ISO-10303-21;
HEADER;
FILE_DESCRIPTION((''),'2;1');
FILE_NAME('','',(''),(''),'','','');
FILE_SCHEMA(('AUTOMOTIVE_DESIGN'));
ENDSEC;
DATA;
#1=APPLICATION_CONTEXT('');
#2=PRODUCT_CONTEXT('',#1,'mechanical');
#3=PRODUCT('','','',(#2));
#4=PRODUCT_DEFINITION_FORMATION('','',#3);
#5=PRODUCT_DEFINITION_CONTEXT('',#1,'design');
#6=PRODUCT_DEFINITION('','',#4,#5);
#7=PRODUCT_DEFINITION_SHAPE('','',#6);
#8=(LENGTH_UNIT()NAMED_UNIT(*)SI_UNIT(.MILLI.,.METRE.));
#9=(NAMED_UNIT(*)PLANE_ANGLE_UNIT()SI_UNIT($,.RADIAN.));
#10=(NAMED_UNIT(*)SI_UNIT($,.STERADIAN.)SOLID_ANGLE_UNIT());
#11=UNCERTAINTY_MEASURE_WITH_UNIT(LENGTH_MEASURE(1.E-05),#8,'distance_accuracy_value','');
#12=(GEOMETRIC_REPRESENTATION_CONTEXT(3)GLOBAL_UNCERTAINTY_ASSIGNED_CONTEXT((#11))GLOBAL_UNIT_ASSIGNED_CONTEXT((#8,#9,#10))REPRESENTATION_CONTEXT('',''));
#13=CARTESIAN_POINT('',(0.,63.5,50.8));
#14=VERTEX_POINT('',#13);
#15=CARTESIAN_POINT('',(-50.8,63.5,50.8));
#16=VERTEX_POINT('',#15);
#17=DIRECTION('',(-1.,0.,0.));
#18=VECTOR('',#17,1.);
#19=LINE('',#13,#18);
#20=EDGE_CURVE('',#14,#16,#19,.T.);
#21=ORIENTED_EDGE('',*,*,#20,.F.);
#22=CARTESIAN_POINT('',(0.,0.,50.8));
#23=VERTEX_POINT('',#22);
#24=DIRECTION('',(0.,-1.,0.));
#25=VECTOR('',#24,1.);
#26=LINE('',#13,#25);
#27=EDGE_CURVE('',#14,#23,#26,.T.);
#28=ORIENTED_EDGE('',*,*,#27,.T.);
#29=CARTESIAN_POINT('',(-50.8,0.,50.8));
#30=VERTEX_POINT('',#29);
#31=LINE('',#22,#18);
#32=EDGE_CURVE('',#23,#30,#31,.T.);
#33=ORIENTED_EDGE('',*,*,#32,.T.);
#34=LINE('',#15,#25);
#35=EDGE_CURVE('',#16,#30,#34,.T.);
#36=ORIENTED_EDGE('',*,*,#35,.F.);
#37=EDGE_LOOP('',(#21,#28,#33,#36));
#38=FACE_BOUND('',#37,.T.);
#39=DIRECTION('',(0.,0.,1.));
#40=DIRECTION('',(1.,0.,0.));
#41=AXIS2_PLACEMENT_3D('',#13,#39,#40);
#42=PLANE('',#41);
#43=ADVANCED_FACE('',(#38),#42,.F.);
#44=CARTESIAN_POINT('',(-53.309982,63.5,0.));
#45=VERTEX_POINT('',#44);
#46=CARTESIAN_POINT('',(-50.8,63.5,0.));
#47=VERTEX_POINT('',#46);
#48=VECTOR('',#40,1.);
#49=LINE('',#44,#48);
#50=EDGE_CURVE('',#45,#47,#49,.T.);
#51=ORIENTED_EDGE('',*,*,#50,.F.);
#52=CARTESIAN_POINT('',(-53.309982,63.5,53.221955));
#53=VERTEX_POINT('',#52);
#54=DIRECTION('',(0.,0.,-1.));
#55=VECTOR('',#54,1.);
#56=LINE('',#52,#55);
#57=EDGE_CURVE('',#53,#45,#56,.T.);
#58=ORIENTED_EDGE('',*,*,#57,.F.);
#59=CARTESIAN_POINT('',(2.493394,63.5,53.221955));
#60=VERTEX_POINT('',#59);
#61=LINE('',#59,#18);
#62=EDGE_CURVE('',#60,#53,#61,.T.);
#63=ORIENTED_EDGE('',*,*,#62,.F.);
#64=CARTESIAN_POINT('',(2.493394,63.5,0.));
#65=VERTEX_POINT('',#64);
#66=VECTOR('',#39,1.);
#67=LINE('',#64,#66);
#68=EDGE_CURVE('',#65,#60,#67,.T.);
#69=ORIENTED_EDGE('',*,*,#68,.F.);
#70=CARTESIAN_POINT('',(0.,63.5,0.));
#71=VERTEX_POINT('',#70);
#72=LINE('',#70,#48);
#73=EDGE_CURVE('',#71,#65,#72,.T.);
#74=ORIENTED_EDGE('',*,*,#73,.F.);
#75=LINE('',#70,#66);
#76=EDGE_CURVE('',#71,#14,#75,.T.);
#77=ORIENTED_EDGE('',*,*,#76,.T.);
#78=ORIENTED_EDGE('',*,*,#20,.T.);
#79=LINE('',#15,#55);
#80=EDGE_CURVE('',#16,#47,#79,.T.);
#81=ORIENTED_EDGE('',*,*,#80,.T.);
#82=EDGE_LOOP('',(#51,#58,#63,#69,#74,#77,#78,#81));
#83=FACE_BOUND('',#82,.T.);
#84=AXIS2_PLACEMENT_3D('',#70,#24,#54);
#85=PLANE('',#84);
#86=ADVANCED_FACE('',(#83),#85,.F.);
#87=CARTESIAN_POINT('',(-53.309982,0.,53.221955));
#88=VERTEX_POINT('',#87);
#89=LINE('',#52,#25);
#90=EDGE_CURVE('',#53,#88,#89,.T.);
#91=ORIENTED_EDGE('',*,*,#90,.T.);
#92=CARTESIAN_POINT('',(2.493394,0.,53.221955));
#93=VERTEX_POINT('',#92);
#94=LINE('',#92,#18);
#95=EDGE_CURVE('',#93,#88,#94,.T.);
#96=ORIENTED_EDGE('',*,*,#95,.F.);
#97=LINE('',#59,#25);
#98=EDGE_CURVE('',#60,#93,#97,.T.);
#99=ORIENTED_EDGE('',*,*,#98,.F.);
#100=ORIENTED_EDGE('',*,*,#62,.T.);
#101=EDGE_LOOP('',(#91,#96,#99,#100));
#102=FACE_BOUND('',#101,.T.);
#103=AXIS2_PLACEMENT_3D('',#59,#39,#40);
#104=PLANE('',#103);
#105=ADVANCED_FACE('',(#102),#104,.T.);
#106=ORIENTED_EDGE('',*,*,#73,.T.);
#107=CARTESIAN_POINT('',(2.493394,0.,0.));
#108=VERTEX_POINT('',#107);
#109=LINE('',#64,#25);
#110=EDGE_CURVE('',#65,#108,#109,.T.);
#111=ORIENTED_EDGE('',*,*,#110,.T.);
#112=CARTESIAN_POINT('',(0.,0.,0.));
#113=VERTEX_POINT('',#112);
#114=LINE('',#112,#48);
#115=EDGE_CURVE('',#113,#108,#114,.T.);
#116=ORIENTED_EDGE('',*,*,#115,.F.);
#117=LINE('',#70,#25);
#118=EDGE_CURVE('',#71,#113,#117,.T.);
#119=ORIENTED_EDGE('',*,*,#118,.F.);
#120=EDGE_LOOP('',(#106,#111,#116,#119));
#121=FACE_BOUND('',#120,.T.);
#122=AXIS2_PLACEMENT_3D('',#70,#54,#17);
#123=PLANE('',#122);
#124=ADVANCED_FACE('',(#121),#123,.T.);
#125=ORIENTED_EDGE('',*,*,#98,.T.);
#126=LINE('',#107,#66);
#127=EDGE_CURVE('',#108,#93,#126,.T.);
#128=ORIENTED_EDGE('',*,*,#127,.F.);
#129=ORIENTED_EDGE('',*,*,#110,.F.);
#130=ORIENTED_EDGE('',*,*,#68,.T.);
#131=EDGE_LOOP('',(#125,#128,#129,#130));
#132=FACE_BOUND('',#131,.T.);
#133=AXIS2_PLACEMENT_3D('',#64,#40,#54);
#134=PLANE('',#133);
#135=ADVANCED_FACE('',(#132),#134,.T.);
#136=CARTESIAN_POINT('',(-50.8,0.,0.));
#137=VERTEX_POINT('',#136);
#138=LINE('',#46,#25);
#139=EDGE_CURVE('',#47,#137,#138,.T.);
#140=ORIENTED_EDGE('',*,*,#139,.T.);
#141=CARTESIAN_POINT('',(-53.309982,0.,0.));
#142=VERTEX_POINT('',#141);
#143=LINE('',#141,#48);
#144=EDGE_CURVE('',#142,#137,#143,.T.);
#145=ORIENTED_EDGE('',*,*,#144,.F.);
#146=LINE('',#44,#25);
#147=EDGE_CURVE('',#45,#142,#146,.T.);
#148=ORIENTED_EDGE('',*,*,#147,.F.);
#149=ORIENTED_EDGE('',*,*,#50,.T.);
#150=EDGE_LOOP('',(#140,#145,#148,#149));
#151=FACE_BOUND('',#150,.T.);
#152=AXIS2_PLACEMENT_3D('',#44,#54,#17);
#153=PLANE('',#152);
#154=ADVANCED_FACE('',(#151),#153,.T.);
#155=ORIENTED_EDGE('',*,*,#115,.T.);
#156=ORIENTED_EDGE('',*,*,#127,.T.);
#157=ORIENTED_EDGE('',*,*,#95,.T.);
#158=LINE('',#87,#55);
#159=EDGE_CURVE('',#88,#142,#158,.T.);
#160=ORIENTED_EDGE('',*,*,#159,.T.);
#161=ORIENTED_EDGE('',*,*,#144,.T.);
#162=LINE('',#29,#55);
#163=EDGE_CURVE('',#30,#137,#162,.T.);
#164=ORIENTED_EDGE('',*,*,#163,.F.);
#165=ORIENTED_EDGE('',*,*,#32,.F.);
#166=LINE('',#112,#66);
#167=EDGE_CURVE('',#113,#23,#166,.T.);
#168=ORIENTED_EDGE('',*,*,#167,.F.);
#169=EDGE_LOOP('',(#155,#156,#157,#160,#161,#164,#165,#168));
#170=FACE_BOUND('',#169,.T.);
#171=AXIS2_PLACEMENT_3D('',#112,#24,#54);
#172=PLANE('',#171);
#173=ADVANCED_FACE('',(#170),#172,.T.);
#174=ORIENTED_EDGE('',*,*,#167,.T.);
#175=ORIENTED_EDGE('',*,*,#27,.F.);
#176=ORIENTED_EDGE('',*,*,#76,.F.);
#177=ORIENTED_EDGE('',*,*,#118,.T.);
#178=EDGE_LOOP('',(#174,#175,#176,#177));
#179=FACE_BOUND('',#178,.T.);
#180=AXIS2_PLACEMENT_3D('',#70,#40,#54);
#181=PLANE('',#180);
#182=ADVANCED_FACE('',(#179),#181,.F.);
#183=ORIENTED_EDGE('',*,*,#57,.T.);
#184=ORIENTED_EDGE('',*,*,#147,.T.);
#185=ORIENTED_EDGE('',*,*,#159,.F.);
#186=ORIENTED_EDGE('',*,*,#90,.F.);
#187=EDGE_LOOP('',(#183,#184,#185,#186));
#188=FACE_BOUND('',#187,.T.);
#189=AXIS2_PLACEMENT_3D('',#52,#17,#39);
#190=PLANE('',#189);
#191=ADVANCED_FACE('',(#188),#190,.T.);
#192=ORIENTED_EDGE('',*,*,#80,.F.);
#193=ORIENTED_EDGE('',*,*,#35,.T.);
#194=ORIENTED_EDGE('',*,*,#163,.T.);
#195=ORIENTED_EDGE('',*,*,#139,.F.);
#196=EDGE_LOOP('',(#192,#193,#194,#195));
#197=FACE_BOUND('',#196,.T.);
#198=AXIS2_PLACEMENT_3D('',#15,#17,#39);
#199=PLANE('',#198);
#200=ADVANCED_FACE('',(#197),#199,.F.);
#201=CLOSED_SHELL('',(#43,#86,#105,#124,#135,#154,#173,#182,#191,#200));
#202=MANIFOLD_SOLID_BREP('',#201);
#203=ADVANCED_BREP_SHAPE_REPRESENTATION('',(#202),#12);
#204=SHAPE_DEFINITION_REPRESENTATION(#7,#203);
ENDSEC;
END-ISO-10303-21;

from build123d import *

# Parameters (mm, degrees)
SALIENTE_EXTRUIR1_DEPTH = 63.5


with BuildPart() as part:
    # Croquis1 → Saliente-Extruir1 (new body)
    with BuildSketch(Plane(origin=(0, 0, 0), x_dir=(1, 0, 0), z_dir=(0, 1, 0))):
        Polygon((0, 0), (0, -50.8), (-50.8, -50.8), (-50.8, 0), (-53.309981872, 0), (-53.309981872, -53.221954633), (2.493393923, -53.221954633), (2.493393923, 0), align=None)
    extrude(amount=SALIENTE_EXTRUIR1_DEPTH)


solid = part.part
